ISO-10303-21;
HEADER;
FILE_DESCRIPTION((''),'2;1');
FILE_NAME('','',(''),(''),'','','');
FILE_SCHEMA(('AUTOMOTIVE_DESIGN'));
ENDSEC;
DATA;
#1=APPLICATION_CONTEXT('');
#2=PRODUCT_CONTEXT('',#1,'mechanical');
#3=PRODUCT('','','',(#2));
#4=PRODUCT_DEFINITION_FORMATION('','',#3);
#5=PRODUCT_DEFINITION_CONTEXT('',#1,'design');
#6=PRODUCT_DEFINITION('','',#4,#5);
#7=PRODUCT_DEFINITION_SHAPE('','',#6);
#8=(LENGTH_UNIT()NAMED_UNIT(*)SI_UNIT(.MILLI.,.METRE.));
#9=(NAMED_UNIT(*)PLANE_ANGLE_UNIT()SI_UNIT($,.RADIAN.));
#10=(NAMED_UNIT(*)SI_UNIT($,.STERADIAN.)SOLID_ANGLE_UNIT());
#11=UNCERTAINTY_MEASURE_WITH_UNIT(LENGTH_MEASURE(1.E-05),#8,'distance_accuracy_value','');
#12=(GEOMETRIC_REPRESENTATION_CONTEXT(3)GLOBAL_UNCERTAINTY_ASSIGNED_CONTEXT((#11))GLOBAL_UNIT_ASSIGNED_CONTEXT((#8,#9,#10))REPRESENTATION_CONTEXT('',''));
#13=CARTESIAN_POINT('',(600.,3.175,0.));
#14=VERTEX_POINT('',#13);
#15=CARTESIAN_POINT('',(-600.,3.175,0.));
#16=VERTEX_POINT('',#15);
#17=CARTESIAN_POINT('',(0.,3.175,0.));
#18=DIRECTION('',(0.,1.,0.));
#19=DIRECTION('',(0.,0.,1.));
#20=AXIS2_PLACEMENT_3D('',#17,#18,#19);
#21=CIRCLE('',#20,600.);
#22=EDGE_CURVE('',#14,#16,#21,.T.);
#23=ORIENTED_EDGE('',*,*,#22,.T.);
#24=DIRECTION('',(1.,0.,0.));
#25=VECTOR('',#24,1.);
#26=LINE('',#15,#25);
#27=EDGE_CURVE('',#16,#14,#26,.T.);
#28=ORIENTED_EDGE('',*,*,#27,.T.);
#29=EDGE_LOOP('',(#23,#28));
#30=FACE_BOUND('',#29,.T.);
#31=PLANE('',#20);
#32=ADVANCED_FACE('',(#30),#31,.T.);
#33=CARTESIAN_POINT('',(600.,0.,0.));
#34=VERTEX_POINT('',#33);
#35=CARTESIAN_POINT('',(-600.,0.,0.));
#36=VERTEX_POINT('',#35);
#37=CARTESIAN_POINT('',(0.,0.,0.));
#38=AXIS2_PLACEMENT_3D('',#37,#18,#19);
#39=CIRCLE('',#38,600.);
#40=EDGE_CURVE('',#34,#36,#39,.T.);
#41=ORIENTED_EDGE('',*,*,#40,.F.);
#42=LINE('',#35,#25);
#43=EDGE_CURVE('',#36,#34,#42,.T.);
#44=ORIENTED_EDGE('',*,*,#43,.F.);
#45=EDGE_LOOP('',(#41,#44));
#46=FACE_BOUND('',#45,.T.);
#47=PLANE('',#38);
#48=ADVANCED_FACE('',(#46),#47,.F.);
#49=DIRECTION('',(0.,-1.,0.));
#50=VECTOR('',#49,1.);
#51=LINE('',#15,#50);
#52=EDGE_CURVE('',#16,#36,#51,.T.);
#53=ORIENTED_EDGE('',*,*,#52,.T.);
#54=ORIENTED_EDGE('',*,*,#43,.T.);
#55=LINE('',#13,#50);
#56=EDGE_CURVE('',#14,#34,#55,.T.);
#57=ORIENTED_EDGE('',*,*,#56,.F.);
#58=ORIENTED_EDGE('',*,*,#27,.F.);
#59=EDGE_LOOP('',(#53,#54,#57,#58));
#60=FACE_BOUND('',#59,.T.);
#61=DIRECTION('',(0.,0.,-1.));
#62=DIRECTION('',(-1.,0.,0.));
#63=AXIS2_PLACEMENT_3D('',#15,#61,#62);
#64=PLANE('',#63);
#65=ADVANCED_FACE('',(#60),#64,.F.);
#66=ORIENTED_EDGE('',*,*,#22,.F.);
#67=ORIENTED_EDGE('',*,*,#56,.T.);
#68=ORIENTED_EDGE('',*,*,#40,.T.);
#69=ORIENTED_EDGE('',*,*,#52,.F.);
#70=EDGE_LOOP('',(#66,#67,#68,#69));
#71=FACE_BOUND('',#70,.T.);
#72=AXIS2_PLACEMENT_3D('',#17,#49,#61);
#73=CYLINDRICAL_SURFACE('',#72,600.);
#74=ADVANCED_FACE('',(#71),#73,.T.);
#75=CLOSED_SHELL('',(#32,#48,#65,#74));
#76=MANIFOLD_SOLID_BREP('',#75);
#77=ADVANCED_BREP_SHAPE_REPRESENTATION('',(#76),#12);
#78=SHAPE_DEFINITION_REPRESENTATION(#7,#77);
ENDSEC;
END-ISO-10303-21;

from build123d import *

# Parameters (mm, degrees)
BOSS_EXTRUDE1_DEPTH = 3.175


with BuildPart() as part:
    # Sketch1 → Boss-Extrude1 (new body)
    with BuildSketch(Plane(origin=(0, 0, 0), x_dir=(1, 0, 0), z_dir=(0, 1, 0))):
        with BuildLine():
            Line((-600, 0), (600, 0))
            ThreePointArc((600, 0), (0, 600), (-600, 0))
        make_face()
    extrude(amount=BOSS_EXTRUDE1_DEPTH)


solid = part.part
